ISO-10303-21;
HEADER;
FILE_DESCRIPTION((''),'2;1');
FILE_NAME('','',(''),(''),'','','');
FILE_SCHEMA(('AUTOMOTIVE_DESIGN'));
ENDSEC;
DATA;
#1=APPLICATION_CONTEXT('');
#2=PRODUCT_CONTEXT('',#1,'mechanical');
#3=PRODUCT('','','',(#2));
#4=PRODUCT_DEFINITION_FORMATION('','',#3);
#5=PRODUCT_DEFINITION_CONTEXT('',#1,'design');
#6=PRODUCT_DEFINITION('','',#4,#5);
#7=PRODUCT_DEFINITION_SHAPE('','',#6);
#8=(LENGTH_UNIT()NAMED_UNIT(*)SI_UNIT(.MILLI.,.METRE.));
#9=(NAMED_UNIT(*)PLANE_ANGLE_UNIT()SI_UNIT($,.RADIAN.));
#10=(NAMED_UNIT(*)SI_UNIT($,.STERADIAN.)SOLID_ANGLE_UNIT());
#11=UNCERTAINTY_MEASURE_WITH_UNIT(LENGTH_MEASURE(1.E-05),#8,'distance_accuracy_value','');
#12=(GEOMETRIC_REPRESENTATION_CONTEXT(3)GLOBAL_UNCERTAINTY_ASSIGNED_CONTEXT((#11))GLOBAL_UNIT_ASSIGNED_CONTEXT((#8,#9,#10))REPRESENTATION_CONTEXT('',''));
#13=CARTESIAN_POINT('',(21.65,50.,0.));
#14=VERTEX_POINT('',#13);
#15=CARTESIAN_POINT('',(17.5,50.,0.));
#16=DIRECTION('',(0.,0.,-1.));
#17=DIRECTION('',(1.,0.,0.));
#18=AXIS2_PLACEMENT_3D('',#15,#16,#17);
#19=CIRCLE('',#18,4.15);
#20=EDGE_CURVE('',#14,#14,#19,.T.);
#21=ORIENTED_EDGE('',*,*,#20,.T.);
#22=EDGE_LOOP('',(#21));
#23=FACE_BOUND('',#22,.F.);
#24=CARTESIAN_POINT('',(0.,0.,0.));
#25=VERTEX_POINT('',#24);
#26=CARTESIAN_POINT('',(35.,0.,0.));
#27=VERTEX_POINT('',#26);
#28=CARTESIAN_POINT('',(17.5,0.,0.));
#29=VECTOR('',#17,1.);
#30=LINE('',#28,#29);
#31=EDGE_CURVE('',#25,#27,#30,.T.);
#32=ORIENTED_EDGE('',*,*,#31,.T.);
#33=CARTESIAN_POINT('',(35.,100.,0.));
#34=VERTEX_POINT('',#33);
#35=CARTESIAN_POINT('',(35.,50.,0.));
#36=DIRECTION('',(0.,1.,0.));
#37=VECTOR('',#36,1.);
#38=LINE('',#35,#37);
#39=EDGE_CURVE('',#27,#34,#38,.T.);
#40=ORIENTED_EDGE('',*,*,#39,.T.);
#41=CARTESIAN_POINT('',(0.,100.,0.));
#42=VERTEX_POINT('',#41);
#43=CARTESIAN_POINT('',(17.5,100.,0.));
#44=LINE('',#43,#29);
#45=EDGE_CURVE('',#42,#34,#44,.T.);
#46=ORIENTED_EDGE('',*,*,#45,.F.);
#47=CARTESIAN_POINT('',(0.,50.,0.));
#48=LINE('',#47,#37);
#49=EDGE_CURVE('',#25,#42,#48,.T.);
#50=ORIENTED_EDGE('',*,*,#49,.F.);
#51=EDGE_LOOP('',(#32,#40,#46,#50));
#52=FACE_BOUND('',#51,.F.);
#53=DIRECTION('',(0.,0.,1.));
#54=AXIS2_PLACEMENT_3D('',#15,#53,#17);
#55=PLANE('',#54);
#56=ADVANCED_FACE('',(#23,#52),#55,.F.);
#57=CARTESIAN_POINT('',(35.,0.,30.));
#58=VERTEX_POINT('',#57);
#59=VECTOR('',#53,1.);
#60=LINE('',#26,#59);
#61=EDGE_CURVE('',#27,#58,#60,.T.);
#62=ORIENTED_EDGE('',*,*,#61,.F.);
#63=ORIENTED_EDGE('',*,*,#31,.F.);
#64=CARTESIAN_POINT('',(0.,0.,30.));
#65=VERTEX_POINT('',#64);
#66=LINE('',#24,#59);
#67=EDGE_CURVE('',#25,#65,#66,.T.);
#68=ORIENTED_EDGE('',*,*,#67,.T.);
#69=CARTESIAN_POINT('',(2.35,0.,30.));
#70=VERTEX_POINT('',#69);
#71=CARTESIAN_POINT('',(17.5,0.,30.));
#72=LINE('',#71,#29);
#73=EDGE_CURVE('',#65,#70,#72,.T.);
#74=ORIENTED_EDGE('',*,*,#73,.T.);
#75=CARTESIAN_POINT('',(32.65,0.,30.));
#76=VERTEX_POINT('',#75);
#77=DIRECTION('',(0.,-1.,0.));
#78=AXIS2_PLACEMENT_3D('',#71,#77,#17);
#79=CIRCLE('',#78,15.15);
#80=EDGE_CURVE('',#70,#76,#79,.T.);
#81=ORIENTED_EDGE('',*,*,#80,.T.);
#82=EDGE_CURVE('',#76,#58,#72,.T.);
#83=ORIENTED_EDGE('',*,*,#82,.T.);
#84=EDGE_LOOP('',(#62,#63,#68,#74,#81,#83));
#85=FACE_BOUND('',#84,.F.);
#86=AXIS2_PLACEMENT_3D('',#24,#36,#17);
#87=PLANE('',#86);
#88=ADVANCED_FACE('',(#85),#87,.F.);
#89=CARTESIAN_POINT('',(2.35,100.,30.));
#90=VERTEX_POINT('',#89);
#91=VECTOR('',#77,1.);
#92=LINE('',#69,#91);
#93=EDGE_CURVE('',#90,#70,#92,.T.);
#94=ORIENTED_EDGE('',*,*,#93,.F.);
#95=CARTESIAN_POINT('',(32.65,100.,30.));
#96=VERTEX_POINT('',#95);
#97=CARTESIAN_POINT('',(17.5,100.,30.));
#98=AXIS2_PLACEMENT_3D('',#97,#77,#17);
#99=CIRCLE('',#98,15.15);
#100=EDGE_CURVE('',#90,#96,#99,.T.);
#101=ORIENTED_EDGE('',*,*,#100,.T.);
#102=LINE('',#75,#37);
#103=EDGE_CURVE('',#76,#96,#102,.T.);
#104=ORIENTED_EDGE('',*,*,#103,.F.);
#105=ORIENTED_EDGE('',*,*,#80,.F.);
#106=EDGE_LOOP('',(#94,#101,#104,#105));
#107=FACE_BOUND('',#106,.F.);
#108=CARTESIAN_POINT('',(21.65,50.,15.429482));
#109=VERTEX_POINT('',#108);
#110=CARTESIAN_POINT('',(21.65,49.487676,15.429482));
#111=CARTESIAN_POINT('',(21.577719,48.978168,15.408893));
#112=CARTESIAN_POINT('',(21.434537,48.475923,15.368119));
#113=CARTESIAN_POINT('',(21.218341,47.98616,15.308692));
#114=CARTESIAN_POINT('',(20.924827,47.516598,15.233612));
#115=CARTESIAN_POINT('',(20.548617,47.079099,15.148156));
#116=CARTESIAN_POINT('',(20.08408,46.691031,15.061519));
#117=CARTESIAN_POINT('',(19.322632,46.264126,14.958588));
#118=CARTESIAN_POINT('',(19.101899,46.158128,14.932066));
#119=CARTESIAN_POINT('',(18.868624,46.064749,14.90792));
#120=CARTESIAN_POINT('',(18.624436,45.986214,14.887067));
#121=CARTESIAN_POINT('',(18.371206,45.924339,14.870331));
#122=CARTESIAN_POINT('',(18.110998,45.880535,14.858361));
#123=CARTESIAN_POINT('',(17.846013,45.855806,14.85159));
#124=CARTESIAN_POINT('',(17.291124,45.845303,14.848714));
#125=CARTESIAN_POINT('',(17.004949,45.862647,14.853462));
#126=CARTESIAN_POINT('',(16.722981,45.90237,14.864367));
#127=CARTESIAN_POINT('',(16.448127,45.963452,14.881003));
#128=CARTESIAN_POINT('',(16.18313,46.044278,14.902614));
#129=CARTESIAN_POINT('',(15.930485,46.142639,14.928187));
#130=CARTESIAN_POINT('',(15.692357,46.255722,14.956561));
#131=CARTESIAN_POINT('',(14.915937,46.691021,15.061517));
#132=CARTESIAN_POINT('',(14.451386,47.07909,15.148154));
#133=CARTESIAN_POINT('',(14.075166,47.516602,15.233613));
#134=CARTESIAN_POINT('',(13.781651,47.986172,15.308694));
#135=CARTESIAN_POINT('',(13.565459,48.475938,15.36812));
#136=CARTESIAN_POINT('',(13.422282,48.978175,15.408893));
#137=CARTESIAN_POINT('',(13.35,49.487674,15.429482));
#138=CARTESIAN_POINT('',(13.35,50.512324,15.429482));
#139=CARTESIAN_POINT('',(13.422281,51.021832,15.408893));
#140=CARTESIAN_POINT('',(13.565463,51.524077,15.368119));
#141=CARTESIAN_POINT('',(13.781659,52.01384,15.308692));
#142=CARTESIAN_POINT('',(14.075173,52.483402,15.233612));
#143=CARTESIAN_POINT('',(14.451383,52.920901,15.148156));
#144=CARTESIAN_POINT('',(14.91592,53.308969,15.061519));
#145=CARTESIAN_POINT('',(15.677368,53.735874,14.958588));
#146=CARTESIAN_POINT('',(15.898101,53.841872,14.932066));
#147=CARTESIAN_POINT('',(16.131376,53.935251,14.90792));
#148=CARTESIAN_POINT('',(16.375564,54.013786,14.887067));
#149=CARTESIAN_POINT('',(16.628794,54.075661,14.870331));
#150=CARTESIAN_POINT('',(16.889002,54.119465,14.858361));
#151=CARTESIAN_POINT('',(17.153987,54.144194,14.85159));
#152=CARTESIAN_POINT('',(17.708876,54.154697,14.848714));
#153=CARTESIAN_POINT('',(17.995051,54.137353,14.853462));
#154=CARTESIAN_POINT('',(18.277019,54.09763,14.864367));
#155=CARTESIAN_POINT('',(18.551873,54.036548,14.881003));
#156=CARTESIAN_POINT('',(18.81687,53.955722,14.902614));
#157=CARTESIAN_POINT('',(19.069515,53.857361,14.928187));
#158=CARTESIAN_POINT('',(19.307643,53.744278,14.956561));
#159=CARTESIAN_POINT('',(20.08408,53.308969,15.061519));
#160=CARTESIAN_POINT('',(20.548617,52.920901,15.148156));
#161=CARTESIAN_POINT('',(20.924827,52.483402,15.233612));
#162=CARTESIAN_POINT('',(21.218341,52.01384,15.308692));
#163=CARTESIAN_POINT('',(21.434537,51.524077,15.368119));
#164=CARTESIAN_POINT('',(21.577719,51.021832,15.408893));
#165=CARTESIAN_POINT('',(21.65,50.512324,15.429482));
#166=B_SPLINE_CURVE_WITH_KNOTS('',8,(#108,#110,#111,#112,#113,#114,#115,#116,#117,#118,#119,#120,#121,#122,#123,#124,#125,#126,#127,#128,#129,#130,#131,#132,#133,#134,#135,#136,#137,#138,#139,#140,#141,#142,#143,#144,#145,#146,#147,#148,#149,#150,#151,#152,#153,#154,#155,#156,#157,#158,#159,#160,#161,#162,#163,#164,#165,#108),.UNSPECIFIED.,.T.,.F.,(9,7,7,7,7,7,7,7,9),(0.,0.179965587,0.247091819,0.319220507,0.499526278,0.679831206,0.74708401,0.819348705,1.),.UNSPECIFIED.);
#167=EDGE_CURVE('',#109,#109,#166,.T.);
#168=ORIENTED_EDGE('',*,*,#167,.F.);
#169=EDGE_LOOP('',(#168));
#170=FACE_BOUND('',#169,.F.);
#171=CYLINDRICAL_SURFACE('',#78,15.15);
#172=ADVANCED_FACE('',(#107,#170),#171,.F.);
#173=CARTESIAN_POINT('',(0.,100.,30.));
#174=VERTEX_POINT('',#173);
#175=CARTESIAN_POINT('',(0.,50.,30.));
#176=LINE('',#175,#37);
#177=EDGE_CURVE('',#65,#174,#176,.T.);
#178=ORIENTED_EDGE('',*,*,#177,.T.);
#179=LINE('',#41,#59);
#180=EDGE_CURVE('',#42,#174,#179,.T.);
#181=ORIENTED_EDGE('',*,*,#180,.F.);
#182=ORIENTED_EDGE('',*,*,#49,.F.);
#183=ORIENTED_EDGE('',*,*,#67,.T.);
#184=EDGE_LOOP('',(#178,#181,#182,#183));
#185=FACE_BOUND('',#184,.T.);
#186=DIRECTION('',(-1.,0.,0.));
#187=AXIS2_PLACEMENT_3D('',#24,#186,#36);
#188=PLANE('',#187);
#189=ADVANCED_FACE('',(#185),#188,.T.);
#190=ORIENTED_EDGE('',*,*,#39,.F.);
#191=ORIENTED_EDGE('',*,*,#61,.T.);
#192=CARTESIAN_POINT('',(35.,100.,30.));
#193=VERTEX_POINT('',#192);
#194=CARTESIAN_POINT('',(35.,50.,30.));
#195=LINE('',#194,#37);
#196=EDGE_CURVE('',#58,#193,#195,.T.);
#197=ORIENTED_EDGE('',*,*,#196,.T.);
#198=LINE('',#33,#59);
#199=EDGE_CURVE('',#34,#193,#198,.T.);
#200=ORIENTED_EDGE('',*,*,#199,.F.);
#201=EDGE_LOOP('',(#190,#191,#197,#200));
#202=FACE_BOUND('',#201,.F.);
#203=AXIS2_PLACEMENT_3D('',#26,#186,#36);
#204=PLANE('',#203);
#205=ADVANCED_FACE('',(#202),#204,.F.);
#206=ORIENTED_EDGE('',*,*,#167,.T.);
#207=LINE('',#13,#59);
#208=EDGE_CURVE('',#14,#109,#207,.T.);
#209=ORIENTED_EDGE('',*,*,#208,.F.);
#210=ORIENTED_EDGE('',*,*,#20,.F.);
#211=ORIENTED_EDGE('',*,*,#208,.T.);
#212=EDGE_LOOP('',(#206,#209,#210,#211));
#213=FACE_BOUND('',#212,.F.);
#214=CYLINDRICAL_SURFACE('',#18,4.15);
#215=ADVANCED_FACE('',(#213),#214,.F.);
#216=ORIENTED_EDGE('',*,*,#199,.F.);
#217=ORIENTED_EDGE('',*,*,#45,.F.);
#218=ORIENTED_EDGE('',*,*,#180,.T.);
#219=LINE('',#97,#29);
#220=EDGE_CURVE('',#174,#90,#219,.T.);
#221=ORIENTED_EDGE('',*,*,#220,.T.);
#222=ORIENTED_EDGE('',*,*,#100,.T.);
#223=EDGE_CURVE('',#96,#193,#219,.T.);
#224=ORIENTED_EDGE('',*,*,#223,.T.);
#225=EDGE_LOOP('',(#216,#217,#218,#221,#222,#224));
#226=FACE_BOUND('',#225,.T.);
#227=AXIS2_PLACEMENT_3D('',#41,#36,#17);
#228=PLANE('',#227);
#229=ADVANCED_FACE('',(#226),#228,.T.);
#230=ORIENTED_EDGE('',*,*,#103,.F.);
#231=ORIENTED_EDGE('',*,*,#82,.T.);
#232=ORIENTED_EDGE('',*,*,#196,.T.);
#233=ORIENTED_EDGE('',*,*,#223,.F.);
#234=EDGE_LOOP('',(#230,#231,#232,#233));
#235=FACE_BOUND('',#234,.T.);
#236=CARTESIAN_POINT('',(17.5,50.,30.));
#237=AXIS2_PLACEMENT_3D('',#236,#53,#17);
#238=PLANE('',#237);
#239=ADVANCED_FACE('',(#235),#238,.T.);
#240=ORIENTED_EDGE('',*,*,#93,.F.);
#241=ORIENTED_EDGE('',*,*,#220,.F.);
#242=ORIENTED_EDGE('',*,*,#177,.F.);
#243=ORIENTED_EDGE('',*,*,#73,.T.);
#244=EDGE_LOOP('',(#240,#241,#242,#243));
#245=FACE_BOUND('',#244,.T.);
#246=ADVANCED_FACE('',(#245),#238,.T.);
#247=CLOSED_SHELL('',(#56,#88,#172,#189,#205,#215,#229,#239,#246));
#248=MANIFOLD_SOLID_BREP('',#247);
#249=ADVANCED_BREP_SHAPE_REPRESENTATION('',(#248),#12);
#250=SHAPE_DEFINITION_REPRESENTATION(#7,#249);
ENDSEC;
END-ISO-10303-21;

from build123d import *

# Parameters (mm, degrees)
F0_W     = 35
F0_H     = 100
F1_DEPTH = 30
F2_R     = 15.15
F3_DEPTH = 999
F4_R     = 4.15
F5_DEPTH = 25


with BuildPart() as f1:
    # F0 (on Top) → F1 (new body)
    with BuildSketch(Plane.XY):
        with Locations((17.5, 50)):
            Rectangle(F0_W, F0_H)
    extrude(amount=F1_DEPTH)

    # F2 (on face) → F3 (cut)
    with BuildSketch(Plane.XZ):
        with Locations((17.5, 30)):
            Circle(F2_R)
    extrude(amount=-F3_DEPTH, mode=Mode.SUBTRACT)

    # F4 (on face) → F5 (cut)
    with BuildSketch(Plane(origin=(0, 0, 0), x_dir=(1, 0, 0), z_dir=(0, 0, -1))):
        with Locations((17.5, -50)):
            Circle(F4_R)
    extrude(amount=-F5_DEPTH, mode=Mode.SUBTRACT)


solid = f1.part
